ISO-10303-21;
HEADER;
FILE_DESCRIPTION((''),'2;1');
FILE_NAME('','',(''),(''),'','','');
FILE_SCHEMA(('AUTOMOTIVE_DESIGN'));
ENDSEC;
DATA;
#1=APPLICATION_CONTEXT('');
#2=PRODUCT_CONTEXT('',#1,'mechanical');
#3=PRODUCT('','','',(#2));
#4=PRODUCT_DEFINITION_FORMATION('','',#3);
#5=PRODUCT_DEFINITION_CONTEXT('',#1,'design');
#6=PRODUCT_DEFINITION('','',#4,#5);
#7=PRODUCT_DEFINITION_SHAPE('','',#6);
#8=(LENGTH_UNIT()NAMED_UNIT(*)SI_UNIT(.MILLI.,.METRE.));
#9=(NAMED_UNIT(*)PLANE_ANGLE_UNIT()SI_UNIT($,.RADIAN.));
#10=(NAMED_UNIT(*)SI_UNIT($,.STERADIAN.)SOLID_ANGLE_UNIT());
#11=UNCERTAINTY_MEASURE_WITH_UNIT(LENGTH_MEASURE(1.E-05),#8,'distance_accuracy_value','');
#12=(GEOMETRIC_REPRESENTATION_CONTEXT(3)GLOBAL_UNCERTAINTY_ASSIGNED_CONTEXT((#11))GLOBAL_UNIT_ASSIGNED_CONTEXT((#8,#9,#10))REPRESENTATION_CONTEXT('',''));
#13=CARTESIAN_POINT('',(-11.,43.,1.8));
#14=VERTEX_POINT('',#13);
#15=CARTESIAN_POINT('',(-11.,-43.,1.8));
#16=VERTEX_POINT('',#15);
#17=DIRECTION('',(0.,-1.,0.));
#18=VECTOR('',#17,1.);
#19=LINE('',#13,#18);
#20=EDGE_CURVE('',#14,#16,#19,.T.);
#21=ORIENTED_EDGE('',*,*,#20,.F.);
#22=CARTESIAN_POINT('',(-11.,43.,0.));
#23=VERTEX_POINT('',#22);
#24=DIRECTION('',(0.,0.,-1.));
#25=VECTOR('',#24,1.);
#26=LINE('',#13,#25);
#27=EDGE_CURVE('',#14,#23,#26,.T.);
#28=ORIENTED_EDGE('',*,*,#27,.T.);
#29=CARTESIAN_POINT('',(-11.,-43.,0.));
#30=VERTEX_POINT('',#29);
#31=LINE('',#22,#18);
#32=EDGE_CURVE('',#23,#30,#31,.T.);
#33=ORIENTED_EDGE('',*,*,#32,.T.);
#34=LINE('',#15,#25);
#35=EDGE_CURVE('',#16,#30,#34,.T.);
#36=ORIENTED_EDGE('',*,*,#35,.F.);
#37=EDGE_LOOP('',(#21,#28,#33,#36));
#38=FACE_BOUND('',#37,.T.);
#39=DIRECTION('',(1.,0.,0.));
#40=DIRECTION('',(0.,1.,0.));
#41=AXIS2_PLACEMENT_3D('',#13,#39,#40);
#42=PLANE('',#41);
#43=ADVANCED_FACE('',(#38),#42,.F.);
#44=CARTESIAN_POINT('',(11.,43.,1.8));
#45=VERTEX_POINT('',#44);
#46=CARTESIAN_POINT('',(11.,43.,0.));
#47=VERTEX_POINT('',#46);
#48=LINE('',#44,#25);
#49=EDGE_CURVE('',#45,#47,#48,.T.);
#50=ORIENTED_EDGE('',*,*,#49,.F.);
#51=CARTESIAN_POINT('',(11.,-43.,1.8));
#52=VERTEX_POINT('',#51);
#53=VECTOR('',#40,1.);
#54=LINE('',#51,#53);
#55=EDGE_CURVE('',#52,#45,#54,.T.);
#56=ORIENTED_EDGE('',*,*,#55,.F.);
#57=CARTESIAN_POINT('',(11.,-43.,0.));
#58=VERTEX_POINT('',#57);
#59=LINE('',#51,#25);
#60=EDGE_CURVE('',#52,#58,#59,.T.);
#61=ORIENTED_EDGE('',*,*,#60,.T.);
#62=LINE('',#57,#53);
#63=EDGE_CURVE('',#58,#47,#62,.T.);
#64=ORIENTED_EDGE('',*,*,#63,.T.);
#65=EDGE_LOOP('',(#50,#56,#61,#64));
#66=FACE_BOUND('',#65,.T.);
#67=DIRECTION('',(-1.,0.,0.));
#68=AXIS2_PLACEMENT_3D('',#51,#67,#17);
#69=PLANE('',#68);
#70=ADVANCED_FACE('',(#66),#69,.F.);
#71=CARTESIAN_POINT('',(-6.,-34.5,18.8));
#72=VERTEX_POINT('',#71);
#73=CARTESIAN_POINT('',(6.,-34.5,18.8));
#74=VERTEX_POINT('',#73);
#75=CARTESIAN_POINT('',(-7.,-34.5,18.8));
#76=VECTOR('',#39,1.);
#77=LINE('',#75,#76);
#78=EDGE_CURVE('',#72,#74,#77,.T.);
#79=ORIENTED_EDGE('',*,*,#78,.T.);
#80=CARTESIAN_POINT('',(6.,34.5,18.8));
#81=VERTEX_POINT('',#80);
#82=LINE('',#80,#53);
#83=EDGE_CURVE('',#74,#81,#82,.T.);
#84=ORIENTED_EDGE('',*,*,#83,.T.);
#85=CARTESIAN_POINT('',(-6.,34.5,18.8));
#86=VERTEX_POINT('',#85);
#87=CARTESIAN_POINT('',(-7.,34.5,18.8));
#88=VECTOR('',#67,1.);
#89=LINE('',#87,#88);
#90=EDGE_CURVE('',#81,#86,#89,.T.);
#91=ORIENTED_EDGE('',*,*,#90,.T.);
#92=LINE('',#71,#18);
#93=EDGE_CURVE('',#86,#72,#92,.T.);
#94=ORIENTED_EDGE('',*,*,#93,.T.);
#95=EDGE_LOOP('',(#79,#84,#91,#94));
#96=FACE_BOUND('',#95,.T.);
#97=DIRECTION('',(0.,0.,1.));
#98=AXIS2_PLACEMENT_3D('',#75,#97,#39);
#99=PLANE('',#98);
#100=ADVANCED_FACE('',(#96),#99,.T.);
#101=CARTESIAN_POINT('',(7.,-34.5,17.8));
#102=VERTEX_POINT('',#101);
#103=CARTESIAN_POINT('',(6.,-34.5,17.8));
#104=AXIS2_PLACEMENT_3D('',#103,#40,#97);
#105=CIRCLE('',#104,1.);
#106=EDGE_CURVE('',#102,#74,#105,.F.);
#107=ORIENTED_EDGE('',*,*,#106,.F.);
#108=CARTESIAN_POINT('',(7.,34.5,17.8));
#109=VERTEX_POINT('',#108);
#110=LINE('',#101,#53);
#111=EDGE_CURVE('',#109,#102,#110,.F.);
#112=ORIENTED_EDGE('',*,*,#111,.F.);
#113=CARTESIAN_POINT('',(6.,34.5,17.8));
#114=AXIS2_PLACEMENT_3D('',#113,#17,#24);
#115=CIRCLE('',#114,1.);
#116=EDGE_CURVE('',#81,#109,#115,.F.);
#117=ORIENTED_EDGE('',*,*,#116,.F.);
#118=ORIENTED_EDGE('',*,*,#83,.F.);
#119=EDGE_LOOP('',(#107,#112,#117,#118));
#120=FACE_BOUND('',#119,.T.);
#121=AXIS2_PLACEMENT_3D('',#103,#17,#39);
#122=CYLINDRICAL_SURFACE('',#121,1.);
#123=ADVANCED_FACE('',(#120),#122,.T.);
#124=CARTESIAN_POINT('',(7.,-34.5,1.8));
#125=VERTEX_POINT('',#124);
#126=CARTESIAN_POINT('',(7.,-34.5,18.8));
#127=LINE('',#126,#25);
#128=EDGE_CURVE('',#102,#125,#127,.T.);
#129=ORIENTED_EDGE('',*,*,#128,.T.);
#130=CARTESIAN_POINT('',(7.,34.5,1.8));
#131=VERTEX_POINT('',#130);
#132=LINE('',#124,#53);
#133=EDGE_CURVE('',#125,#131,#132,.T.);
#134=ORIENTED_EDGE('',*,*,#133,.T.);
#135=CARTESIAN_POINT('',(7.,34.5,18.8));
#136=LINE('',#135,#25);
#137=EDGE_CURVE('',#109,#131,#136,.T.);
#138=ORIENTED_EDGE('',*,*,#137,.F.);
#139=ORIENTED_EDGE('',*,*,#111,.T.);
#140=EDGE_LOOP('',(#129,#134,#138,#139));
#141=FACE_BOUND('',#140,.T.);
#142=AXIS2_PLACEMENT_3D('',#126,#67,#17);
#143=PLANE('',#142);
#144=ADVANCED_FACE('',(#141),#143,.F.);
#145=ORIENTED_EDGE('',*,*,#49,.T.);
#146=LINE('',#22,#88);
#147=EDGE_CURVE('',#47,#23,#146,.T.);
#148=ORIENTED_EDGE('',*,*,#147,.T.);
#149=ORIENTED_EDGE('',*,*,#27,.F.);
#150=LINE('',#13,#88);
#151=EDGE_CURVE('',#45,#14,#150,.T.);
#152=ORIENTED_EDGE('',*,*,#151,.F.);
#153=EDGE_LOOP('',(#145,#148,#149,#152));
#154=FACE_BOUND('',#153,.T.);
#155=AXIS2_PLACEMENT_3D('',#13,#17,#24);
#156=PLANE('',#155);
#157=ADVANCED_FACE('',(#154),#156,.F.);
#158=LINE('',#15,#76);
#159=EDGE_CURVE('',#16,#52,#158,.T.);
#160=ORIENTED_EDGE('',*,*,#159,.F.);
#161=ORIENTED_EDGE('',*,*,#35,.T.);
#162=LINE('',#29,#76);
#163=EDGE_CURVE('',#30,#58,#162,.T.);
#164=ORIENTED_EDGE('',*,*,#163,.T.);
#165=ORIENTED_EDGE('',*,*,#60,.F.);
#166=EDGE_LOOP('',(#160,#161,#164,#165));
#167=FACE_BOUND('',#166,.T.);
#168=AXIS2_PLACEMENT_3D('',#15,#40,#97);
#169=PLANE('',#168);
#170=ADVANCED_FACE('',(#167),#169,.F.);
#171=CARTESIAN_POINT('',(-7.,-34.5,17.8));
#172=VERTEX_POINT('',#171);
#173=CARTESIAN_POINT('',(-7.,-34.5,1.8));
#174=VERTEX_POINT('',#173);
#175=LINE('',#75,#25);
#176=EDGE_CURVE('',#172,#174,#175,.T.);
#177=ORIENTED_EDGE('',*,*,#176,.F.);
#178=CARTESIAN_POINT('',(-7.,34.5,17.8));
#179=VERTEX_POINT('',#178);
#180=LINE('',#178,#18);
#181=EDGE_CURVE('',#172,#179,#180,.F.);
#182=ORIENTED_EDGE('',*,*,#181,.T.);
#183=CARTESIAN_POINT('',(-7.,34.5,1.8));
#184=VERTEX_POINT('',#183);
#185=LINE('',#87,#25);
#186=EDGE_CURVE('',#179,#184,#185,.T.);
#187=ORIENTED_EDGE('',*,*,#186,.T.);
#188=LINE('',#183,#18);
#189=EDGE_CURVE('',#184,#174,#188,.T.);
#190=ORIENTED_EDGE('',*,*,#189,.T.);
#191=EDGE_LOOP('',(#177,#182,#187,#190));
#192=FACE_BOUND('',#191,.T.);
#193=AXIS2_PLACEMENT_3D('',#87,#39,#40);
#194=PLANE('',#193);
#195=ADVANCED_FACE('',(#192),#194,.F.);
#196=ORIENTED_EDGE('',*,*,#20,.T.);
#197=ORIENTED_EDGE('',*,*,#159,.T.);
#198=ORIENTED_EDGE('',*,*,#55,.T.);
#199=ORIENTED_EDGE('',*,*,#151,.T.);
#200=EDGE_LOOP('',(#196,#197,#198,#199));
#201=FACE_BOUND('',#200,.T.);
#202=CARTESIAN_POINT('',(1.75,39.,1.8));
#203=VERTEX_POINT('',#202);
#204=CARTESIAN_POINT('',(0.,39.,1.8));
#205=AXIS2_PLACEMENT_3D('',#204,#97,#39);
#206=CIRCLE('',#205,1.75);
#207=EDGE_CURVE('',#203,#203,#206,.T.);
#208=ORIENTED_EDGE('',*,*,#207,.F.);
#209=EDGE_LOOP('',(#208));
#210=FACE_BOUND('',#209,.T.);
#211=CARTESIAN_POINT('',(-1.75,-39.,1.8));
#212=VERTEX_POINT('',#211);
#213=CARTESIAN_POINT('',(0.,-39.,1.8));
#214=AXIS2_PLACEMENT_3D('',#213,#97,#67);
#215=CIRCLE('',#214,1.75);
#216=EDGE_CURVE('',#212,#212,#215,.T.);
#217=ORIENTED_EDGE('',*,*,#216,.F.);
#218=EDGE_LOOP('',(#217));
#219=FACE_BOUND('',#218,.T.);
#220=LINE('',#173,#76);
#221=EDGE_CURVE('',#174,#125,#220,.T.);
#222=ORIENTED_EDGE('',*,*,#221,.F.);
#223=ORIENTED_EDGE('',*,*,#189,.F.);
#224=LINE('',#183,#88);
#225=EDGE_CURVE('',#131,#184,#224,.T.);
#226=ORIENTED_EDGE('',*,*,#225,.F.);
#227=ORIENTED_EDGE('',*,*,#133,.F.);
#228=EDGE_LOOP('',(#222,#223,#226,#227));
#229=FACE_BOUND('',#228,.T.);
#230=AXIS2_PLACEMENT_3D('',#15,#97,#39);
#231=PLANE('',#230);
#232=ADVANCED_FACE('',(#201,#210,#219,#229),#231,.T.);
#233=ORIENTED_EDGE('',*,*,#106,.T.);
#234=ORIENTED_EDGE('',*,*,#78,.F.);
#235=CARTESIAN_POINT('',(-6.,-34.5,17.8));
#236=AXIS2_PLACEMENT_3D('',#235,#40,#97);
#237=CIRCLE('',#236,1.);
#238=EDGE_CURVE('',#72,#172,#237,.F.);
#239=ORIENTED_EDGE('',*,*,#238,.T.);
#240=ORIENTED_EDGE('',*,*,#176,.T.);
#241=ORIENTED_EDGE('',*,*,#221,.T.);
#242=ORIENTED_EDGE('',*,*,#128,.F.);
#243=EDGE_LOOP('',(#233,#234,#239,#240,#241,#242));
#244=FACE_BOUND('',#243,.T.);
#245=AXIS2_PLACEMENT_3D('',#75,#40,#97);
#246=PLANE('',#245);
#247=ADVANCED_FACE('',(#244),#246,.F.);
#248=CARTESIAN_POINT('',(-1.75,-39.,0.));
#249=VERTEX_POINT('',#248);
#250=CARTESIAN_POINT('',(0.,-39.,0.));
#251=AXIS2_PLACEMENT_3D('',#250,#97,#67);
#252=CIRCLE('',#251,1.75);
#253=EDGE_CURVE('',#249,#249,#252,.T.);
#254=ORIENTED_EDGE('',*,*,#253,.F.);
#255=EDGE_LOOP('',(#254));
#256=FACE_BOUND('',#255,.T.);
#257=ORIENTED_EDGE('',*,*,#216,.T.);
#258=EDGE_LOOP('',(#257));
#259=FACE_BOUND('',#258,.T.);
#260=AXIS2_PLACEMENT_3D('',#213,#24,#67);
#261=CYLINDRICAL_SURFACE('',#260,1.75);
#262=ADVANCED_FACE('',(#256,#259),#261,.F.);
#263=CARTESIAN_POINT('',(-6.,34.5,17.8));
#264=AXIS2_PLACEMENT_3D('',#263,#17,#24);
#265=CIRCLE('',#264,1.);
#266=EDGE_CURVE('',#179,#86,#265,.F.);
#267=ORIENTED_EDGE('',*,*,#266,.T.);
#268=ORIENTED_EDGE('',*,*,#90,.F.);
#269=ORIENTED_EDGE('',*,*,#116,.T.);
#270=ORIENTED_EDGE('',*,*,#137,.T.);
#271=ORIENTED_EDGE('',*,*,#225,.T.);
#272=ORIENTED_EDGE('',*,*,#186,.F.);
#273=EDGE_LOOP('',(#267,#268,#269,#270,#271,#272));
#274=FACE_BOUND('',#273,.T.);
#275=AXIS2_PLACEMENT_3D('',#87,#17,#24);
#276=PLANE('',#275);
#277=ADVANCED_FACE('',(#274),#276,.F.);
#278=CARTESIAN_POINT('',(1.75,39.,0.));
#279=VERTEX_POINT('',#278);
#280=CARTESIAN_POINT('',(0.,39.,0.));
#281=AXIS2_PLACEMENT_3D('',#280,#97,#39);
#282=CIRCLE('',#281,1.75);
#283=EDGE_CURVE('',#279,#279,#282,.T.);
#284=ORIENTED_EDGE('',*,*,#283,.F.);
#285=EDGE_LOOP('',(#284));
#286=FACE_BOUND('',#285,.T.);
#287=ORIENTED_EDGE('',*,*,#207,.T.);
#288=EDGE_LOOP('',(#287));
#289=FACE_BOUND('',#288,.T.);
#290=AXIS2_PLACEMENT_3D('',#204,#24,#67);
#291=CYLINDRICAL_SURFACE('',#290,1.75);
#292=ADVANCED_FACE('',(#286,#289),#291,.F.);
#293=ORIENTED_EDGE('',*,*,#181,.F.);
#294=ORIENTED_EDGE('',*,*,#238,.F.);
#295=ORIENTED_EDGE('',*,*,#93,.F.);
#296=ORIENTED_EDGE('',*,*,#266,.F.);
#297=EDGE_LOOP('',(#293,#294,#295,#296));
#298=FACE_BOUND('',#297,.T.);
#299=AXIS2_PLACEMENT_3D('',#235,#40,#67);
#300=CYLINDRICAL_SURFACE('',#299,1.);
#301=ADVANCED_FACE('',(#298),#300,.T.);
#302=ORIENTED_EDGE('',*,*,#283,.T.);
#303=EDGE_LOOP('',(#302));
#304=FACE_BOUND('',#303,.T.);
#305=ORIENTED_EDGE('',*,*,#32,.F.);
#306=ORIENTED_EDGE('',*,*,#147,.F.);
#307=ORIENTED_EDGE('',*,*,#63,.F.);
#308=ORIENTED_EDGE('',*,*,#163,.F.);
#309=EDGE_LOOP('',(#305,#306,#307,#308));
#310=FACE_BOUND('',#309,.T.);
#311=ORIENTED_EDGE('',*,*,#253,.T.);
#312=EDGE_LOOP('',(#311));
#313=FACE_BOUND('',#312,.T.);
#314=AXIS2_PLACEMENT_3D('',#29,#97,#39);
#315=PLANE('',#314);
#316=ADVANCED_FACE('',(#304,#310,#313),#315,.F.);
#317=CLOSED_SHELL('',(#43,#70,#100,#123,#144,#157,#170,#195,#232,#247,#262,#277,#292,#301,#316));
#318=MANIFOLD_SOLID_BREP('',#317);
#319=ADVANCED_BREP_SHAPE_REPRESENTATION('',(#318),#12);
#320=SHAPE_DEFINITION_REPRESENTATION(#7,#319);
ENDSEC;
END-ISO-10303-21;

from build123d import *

# Parameters (mm, degrees)
SKETCH_1_W      = 22
SKETCH_1_H      = 86
SKETCH_1_R      = 1.75
EXTRUDE_1_DEPTH = 1.8
SKETCH_2_W      = 14
SKETCH_2_H      = 69
EXTRUDE_2_DEPTH = 17
FILLET_1_R      = 1


with BuildPart() as part:
    # 草图1 → 拉伸1 (new body)
    with BuildSketch(Plane.XY):
        Rectangle(SKETCH_1_W, SKETCH_1_H)
        with Locations((0, 39)):
            Circle(SKETCH_1_R, mode=Mode.SUBTRACT)
        with Locations(Location((0, -39, 0), (0, 0, 180))):
            Circle(SKETCH_1_R, mode=Mode.SUBTRACT)
    extrude(amount=EXTRUDE_1_DEPTH)

    # 草图2 → 拉伸2 (add)
    with BuildSketch(Plane.XY.offset(1.8)):
        Rectangle(SKETCH_2_W, SKETCH_2_H)
    extrude(amount=EXTRUDE_2_DEPTH)

    # 圆角1
    fillet_1_edges = [part.edges().sort_by_distance(p)[0] for p in [
        (-7, 0, 18.8),
        (7, 0, 18.8),
    ]]
    fillet(fillet_1_edges, radius=FILLET_1_R)


solid = part.part
